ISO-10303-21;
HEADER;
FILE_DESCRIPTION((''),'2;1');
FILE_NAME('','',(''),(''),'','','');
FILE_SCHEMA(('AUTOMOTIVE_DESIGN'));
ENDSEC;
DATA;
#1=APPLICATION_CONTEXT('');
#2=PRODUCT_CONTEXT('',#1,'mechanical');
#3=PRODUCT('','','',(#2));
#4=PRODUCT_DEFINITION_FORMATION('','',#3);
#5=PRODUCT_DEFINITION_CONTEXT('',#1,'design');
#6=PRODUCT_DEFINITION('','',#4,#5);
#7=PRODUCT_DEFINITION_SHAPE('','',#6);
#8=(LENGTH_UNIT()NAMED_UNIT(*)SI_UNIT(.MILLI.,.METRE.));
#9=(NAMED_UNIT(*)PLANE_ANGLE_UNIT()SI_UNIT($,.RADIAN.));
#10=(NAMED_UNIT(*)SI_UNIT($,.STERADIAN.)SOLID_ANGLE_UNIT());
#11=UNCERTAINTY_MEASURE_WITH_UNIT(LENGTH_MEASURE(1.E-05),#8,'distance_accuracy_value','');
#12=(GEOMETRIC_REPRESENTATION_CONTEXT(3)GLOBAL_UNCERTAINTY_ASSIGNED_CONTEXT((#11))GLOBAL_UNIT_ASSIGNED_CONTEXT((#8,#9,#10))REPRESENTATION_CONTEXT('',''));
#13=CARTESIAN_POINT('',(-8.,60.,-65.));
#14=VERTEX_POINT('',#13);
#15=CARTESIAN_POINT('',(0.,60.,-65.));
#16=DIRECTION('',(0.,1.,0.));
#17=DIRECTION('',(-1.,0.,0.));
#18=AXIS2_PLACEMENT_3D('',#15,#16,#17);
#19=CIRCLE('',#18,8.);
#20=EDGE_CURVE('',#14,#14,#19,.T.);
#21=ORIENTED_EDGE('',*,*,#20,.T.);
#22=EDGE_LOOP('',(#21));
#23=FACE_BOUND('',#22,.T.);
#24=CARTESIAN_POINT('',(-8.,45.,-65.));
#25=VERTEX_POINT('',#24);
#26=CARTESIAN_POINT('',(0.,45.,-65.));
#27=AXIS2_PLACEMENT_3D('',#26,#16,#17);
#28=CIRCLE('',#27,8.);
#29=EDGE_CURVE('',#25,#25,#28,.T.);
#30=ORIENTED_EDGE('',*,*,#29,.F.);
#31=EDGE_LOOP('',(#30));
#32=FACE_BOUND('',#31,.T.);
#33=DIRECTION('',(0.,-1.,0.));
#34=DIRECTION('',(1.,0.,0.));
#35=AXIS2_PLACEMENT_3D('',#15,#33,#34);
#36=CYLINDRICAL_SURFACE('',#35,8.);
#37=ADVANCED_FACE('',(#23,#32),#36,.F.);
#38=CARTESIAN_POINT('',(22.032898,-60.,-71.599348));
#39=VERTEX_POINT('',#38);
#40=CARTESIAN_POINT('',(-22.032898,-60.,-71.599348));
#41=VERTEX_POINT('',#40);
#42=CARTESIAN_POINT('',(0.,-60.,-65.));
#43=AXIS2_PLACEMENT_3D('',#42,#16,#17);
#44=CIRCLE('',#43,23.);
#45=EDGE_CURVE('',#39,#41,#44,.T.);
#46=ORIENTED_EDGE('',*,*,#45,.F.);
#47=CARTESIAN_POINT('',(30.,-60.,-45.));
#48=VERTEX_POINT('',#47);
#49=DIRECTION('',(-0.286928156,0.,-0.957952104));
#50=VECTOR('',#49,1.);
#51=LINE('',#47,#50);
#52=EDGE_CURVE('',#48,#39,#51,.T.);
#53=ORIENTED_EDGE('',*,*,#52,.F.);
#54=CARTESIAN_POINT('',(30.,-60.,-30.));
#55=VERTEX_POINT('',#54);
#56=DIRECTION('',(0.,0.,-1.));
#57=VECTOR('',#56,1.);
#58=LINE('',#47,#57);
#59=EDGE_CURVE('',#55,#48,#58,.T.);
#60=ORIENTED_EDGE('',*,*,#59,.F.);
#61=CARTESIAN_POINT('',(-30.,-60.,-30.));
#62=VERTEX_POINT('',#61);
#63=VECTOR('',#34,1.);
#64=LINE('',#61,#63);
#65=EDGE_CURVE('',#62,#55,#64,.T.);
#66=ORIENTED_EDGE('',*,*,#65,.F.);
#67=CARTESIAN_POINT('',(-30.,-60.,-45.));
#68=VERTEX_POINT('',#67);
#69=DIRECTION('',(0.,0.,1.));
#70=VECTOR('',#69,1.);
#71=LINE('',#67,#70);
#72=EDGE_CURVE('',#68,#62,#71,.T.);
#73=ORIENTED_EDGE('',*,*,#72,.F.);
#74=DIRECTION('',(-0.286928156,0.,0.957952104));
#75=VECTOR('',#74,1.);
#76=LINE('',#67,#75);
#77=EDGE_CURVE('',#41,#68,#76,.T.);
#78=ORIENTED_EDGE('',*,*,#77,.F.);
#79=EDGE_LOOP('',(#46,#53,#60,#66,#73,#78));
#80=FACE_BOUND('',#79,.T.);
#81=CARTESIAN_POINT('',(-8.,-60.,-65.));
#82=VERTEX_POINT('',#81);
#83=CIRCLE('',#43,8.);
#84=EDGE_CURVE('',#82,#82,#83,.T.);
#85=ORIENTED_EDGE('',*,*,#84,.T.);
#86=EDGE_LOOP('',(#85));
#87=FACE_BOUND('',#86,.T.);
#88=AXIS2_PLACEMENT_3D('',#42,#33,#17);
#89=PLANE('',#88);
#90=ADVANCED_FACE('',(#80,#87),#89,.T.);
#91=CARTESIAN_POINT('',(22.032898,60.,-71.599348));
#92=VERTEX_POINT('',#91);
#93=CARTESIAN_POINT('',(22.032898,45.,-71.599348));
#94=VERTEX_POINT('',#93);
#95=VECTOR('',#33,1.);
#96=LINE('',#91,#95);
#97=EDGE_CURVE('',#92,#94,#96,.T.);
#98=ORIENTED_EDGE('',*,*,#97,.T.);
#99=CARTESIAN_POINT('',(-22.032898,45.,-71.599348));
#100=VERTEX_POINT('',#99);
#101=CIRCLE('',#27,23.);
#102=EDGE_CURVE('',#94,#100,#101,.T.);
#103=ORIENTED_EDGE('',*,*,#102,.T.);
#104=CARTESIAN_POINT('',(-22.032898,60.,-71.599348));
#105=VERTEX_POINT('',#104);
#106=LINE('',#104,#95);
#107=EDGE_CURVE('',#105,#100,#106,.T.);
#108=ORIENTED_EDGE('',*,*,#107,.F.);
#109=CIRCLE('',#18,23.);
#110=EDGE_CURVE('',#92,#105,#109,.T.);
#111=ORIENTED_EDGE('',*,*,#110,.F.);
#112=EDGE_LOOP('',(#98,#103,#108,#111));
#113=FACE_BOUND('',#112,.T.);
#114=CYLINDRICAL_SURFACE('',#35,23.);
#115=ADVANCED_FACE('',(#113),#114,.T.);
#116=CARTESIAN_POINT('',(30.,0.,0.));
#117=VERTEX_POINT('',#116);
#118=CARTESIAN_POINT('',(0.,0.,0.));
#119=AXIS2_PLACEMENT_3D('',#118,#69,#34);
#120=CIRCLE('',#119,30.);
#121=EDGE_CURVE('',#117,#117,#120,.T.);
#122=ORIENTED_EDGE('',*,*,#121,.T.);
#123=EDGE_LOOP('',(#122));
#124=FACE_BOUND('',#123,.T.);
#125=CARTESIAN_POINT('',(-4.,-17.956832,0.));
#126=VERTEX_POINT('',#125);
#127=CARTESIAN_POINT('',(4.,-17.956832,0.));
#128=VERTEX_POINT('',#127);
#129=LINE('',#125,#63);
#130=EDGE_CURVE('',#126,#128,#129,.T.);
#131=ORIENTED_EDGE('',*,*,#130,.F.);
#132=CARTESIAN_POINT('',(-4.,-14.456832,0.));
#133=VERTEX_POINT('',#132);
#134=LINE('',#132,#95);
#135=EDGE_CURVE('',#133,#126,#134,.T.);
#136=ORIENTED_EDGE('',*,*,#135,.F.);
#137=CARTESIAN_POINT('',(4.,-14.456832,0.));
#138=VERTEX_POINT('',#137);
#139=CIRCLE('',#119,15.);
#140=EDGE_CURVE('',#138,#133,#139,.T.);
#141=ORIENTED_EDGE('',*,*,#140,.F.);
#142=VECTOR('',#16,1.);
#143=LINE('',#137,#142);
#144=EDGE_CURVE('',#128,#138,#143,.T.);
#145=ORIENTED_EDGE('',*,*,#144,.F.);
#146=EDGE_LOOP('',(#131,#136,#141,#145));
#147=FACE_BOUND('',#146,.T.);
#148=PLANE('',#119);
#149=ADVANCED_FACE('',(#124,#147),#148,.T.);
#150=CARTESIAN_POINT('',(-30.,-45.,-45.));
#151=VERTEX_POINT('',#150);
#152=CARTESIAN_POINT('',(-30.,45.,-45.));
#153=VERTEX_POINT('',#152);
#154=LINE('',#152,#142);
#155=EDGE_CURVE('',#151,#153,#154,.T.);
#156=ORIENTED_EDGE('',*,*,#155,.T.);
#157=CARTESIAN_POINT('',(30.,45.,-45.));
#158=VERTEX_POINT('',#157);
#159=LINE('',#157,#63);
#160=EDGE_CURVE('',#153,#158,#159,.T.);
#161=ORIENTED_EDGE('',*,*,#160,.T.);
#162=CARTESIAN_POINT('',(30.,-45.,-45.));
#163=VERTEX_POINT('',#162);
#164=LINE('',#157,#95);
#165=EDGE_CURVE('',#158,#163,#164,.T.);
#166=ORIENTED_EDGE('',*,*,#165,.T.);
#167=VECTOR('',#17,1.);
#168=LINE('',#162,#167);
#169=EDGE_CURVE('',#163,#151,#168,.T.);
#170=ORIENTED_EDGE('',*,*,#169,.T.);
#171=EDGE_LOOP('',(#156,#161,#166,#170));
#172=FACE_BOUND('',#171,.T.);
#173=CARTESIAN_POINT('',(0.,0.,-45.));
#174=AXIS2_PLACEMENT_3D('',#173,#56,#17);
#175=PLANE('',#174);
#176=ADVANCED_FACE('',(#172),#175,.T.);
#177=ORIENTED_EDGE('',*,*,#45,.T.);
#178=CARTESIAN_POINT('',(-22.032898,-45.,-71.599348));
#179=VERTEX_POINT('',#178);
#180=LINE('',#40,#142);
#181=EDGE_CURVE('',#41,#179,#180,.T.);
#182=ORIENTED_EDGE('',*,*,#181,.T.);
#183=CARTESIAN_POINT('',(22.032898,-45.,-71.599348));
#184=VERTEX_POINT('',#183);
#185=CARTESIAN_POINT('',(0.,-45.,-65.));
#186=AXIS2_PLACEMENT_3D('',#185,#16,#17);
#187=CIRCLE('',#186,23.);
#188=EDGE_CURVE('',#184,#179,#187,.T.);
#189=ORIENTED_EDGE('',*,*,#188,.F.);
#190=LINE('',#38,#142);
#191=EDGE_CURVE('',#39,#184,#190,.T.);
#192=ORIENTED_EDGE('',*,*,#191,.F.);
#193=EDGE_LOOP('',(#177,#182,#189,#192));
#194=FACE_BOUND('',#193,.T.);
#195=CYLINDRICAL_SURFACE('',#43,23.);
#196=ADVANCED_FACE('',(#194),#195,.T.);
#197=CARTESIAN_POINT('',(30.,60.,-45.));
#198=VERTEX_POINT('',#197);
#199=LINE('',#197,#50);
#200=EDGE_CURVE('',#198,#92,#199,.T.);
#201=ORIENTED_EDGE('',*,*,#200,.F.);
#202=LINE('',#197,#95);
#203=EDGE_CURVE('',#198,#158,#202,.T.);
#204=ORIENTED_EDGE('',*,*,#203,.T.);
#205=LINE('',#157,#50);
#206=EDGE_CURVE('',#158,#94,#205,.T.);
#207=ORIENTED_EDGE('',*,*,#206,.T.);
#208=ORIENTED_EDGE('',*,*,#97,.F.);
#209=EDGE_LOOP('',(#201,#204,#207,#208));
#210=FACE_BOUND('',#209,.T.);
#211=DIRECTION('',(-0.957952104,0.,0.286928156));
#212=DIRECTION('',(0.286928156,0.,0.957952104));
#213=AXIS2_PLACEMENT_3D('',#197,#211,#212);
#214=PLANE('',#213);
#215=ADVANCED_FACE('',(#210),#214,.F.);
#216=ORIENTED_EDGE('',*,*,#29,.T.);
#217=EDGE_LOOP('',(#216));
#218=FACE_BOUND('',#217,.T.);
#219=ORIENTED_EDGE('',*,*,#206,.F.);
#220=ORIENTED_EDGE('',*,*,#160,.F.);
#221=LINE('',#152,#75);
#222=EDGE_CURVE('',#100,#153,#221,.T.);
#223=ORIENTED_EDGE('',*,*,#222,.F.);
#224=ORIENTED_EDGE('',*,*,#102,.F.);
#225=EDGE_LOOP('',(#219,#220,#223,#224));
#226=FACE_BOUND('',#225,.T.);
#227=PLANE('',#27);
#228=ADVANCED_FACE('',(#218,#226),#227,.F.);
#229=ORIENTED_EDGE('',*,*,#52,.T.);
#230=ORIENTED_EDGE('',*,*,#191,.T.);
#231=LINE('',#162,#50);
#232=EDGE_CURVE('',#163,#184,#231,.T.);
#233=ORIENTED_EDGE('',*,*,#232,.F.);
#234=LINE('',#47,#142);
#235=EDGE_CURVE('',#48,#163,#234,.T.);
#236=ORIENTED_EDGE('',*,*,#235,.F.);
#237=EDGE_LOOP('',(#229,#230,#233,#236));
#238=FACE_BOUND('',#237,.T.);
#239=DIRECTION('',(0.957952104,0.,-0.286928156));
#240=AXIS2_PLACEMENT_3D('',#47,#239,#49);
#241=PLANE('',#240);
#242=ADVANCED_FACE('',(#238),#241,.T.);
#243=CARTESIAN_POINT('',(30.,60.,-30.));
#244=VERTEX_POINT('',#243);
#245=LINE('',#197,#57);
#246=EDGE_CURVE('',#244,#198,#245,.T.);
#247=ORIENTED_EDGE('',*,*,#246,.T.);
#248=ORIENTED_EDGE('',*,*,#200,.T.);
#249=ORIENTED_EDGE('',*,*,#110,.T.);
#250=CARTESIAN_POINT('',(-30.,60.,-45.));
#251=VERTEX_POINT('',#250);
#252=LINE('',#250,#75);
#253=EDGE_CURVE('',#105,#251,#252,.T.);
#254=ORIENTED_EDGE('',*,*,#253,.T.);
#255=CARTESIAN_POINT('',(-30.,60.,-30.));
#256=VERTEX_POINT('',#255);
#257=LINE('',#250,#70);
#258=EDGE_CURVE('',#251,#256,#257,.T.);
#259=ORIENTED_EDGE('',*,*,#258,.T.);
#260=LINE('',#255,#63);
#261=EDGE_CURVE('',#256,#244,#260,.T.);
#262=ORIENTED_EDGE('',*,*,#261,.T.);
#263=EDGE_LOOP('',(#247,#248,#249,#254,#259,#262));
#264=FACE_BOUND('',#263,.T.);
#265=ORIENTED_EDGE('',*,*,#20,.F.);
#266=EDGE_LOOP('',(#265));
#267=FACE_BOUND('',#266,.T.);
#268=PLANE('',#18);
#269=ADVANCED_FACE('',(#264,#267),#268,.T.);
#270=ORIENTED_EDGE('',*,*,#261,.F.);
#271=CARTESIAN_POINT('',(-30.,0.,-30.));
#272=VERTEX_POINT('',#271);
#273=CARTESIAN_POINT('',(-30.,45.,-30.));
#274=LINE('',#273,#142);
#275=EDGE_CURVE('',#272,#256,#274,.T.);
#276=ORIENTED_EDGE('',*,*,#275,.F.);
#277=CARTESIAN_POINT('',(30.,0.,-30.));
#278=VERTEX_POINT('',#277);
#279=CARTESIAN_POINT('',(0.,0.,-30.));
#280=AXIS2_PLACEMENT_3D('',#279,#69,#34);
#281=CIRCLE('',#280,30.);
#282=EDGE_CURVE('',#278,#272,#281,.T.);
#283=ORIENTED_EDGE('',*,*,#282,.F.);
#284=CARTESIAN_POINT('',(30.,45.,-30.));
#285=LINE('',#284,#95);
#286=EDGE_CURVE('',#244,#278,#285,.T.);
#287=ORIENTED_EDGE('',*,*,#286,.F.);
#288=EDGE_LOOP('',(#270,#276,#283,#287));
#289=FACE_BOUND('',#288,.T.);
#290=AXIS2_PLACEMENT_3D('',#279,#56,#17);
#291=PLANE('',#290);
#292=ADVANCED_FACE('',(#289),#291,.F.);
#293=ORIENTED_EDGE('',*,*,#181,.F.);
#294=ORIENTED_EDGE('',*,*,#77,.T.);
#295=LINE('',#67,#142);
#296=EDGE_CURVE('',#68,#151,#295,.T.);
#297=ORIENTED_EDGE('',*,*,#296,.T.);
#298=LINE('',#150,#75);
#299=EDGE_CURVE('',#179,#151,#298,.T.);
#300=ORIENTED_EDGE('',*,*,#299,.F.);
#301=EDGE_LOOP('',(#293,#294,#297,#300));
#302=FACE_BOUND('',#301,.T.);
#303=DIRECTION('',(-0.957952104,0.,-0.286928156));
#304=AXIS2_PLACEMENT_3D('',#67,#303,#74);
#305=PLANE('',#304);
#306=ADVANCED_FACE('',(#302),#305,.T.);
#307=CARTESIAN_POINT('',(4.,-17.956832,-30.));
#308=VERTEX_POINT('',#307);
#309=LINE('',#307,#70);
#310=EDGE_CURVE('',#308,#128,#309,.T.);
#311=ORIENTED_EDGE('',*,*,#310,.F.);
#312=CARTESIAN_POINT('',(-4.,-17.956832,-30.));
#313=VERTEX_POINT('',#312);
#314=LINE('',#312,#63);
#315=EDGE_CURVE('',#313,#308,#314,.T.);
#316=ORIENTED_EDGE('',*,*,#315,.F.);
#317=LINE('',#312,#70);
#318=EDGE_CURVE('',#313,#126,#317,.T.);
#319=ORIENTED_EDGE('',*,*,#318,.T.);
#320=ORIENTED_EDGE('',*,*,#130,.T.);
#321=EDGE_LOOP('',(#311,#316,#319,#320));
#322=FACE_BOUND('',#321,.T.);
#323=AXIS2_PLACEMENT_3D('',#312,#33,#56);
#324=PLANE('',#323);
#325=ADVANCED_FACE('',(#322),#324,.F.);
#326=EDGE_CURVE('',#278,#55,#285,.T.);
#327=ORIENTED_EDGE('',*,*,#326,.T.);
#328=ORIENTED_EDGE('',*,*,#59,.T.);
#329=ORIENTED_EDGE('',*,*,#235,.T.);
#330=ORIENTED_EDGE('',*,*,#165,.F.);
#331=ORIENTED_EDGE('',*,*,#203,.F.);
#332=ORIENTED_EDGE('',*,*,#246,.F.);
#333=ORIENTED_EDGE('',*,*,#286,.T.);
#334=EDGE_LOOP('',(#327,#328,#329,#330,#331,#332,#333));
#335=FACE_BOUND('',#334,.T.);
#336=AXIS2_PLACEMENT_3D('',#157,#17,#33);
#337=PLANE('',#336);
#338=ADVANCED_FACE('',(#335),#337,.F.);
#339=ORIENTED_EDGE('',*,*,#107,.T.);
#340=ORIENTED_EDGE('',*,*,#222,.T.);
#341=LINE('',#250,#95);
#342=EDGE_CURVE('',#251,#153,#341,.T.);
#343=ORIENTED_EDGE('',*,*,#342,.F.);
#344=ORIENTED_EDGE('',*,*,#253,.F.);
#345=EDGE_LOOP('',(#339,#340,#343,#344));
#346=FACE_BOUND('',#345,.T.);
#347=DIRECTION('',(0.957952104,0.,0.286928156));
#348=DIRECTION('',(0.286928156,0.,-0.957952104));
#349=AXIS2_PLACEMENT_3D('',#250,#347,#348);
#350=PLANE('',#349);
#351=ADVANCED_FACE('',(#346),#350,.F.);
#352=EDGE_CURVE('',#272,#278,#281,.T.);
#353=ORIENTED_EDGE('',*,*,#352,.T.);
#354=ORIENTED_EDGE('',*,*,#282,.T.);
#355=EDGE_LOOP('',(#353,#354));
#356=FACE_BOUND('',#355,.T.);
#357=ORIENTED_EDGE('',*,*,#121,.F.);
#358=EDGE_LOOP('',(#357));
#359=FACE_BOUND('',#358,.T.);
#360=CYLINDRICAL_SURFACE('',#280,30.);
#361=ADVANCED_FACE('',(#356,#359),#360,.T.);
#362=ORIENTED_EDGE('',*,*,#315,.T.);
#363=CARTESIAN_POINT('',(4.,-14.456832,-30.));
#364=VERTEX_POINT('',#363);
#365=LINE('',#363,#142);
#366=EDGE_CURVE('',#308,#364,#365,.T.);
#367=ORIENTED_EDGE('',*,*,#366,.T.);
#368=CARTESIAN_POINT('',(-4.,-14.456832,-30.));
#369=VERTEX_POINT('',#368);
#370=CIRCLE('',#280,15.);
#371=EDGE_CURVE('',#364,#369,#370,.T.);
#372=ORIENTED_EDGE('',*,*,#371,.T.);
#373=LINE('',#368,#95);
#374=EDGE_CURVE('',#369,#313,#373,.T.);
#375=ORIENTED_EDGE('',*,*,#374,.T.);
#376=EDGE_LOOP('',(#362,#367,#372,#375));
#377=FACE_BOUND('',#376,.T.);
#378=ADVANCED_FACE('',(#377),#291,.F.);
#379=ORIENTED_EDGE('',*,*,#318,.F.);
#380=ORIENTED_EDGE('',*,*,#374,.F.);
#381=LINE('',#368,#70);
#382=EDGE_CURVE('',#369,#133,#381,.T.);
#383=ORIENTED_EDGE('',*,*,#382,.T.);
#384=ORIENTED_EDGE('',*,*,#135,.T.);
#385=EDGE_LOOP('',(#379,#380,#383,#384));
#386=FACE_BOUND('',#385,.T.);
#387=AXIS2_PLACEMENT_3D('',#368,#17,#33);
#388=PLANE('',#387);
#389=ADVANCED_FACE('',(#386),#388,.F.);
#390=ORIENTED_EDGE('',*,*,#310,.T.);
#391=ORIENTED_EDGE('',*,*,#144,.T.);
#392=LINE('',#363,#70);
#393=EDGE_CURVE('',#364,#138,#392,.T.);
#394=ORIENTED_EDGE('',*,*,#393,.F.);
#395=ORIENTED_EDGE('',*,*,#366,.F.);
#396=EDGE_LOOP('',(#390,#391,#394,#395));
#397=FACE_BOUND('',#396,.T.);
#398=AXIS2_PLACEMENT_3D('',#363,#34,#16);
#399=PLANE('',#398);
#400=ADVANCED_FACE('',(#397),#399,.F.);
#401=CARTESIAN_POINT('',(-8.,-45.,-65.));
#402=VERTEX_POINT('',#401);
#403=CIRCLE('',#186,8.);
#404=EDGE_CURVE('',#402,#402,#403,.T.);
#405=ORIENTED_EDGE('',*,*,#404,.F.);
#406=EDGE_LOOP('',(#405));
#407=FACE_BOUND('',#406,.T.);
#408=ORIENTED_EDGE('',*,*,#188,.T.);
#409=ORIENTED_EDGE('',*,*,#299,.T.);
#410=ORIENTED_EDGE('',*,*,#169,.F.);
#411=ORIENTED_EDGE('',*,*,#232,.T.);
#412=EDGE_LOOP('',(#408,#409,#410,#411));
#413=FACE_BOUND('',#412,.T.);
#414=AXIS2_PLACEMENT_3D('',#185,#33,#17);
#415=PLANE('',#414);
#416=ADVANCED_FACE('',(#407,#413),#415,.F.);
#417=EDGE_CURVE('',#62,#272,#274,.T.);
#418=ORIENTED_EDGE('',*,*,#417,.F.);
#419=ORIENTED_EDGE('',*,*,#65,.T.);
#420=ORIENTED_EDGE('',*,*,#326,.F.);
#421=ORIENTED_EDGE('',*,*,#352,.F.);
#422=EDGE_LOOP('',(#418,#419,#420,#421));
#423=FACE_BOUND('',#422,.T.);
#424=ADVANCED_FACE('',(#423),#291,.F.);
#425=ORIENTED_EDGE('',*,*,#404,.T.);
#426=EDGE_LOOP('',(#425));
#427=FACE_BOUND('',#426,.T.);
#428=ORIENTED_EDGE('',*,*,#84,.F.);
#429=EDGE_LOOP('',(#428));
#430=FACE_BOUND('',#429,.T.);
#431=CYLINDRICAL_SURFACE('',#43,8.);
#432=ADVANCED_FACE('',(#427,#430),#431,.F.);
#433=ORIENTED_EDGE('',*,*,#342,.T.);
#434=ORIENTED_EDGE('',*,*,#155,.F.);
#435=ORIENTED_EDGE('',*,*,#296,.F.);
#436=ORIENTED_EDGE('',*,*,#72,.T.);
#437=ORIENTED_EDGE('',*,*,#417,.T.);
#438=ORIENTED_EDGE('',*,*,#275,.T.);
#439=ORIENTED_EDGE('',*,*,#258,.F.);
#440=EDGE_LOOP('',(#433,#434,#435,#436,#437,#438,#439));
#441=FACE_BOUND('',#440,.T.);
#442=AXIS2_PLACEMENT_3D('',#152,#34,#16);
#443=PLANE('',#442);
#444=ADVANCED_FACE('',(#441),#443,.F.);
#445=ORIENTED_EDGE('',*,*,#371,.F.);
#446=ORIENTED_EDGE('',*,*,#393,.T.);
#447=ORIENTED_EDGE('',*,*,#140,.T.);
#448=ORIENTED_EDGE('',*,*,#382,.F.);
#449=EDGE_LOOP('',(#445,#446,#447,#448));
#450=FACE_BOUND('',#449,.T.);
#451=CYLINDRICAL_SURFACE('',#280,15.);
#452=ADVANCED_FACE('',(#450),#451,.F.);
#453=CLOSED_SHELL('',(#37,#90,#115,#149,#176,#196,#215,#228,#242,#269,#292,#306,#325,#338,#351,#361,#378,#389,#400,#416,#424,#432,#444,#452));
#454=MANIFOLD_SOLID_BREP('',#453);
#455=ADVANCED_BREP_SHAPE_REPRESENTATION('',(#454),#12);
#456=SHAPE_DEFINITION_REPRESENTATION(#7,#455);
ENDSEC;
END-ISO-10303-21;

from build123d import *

# Parameters (mm, degrees)
SKETCH1_R           = 30
BOSS_EXTRUDE1_DEPTH = 30
SKETCH2_W           = 60
SKETCH2_H           = 90
BOSS_EXTRUDE2_DEPTH = 15
SKETCH3_R           = 8
BOSS_EXTRUDE3_DEPTH = 15


with BuildPart() as part:
    # Sketch1 → Boss-Extrude1 (new body)
    with BuildSketch(Plane.XY):
        Circle(SKETCH1_R)
        with BuildLine():
            Line((-4, -14.456832295), (-4, -17.956832295))
            Line((-4, -17.956832295), (4, -17.956832295))
            Line((4, -17.956832295), (4, -14.456832295))
            ThreePointArc((4, -14.456832295), (0, 15), (-4, -14.456832295))
        make_face(mode=Mode.SUBTRACT)
    extrude(amount=-BOSS_EXTRUDE1_DEPTH)

    # Sketch2 → Boss-Extrude2 (add)
    with BuildSketch(Plane(origin=(0, 0, -30), x_dir=(-1, 0, 0), z_dir=(0, 0, -1))):
        Rectangle(SKETCH2_W, SKETCH2_H)
    extrude(amount=BOSS_EXTRUDE2_DEPTH)

    # Sketch3 → Boss-Extrude3 (add)
    with BuildSketch(Plane(origin=(0, 45, 0), x_dir=(1, 0, 0), z_dir=(0, 1, 0))):
        with BuildLine():
            Line((-30, 45), (-22.03289839, 71.599347585))
            ThreePointArc((-22.03289839, 71.599347585), (0, 88), (22.03289839, 71.599347585))
            Line((22.03289839, 71.599347585), (30, 45))
            Line((30, 45), (30, 30))
            Line((30, 30), (-30, 30))
            Line((-30, 30), (-30, 45))
        make_face()
        with Locations(Location((0, 65, 0), (0, 0, 180))):
            Circle(SKETCH3_R, mode=Mode.SUBTRACT)
    boss_extrude3 = extrude(amount=BOSS_EXTRUDE3_DEPTH)

    # Mirror1: Boss-Extrude3 across plane
    add(boss_extrude3.mirror(Plane.ZX))


solid = part.part
